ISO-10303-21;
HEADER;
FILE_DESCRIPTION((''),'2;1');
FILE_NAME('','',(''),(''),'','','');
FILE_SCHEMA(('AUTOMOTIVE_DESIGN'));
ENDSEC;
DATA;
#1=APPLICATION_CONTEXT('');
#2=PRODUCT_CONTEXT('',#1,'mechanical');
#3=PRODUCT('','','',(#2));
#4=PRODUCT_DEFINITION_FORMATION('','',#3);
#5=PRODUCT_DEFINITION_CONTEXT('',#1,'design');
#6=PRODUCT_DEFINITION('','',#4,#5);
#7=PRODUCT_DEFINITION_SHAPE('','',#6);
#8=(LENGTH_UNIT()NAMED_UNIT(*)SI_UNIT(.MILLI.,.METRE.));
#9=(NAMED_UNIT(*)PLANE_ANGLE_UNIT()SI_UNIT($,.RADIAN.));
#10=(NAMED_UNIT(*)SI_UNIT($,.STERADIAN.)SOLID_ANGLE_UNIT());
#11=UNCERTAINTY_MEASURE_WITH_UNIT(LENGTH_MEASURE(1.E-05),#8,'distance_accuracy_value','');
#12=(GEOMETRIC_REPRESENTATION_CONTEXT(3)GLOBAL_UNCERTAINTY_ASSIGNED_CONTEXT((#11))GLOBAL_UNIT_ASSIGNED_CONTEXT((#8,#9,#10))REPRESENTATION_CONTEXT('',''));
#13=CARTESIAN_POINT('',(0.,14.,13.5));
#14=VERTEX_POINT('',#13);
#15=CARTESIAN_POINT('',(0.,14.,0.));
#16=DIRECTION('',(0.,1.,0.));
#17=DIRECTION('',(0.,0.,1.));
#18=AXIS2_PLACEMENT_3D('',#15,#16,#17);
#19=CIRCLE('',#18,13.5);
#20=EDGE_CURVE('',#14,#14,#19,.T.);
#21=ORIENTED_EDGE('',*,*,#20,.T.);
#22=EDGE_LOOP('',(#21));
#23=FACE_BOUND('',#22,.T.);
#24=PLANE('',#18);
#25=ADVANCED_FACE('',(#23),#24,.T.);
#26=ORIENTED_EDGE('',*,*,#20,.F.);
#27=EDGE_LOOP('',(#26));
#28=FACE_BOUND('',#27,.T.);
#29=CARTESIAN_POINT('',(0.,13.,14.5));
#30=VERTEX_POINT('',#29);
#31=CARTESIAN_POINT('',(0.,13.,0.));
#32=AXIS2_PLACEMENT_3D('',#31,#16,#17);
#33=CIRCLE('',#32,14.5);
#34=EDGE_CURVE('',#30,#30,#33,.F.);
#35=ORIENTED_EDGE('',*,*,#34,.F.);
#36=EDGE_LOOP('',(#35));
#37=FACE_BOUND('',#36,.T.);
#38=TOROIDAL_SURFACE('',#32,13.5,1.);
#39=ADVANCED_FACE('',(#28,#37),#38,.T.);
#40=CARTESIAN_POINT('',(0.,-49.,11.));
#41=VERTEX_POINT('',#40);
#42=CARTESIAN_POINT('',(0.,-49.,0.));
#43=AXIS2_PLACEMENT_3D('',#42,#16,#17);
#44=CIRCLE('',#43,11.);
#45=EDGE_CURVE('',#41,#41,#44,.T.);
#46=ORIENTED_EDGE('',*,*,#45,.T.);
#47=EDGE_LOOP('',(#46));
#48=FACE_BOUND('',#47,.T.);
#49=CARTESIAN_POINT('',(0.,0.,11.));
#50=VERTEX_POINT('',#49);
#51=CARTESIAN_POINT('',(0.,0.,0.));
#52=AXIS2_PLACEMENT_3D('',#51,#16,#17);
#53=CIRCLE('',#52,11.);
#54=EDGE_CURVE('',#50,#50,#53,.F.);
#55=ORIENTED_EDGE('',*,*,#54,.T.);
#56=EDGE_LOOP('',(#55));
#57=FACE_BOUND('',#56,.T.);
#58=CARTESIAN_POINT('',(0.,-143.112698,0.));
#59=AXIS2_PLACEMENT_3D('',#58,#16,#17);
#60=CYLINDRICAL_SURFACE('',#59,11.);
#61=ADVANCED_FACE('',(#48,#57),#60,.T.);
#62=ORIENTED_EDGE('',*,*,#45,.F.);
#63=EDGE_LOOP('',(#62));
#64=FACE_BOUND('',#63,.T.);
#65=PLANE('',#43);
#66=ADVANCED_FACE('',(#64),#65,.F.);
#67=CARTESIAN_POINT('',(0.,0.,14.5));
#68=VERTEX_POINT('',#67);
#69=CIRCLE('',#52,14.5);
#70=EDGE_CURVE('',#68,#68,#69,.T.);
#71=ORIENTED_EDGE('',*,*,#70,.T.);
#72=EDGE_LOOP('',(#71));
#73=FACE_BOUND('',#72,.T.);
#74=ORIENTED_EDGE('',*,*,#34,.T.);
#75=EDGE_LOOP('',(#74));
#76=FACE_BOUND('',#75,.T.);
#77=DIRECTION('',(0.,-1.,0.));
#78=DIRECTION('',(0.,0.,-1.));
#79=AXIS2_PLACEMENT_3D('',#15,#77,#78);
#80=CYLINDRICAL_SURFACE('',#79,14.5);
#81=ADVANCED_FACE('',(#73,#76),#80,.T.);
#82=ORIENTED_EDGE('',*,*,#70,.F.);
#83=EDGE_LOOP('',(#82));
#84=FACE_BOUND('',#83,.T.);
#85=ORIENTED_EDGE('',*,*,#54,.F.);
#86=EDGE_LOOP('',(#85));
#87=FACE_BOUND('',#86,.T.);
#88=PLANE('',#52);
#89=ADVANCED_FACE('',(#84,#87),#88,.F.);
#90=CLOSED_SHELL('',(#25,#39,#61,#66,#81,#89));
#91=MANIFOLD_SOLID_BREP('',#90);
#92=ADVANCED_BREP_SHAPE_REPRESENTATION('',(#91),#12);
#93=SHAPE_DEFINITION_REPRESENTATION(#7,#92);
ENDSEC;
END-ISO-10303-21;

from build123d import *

# Parameters (mm, degrees)
SKETCH_2_R      = 14.5
EXTRUDE_1_DEPTH = 14
SKETCH_3_R      = 11
EXTRUDE_2_DEPTH = 49
FILLET_1_R      = 1


with BuildPart() as part:
    # 草图2 → 凸台-拉伸1 (new body)
    with BuildSketch(Plane(origin=(0, 0, 0), x_dir=(1, 0, 0), z_dir=(0, 1, 0))):
        with Locations(Location((0, 0, 0), (0, 0, 270))):
            Circle(SKETCH_2_R)
    extrude(amount=EXTRUDE_1_DEPTH)

    # 草图3 → 凸台-拉伸2 (add)
    with BuildSketch(Plane.XZ):
        with Locations(Location((0, 0, 0), (0, 0, 90))):
            Circle(SKETCH_3_R)
    extrude(amount=EXTRUDE_2_DEPTH)

    # 圆角1
    fillet_1_edges = [part.edges().sort_by_distance(p)[0] for p in [
        (0, 14, -14.5),
    ]]
    fillet(fillet_1_edges, radius=FILLET_1_R)


solid = part.part
